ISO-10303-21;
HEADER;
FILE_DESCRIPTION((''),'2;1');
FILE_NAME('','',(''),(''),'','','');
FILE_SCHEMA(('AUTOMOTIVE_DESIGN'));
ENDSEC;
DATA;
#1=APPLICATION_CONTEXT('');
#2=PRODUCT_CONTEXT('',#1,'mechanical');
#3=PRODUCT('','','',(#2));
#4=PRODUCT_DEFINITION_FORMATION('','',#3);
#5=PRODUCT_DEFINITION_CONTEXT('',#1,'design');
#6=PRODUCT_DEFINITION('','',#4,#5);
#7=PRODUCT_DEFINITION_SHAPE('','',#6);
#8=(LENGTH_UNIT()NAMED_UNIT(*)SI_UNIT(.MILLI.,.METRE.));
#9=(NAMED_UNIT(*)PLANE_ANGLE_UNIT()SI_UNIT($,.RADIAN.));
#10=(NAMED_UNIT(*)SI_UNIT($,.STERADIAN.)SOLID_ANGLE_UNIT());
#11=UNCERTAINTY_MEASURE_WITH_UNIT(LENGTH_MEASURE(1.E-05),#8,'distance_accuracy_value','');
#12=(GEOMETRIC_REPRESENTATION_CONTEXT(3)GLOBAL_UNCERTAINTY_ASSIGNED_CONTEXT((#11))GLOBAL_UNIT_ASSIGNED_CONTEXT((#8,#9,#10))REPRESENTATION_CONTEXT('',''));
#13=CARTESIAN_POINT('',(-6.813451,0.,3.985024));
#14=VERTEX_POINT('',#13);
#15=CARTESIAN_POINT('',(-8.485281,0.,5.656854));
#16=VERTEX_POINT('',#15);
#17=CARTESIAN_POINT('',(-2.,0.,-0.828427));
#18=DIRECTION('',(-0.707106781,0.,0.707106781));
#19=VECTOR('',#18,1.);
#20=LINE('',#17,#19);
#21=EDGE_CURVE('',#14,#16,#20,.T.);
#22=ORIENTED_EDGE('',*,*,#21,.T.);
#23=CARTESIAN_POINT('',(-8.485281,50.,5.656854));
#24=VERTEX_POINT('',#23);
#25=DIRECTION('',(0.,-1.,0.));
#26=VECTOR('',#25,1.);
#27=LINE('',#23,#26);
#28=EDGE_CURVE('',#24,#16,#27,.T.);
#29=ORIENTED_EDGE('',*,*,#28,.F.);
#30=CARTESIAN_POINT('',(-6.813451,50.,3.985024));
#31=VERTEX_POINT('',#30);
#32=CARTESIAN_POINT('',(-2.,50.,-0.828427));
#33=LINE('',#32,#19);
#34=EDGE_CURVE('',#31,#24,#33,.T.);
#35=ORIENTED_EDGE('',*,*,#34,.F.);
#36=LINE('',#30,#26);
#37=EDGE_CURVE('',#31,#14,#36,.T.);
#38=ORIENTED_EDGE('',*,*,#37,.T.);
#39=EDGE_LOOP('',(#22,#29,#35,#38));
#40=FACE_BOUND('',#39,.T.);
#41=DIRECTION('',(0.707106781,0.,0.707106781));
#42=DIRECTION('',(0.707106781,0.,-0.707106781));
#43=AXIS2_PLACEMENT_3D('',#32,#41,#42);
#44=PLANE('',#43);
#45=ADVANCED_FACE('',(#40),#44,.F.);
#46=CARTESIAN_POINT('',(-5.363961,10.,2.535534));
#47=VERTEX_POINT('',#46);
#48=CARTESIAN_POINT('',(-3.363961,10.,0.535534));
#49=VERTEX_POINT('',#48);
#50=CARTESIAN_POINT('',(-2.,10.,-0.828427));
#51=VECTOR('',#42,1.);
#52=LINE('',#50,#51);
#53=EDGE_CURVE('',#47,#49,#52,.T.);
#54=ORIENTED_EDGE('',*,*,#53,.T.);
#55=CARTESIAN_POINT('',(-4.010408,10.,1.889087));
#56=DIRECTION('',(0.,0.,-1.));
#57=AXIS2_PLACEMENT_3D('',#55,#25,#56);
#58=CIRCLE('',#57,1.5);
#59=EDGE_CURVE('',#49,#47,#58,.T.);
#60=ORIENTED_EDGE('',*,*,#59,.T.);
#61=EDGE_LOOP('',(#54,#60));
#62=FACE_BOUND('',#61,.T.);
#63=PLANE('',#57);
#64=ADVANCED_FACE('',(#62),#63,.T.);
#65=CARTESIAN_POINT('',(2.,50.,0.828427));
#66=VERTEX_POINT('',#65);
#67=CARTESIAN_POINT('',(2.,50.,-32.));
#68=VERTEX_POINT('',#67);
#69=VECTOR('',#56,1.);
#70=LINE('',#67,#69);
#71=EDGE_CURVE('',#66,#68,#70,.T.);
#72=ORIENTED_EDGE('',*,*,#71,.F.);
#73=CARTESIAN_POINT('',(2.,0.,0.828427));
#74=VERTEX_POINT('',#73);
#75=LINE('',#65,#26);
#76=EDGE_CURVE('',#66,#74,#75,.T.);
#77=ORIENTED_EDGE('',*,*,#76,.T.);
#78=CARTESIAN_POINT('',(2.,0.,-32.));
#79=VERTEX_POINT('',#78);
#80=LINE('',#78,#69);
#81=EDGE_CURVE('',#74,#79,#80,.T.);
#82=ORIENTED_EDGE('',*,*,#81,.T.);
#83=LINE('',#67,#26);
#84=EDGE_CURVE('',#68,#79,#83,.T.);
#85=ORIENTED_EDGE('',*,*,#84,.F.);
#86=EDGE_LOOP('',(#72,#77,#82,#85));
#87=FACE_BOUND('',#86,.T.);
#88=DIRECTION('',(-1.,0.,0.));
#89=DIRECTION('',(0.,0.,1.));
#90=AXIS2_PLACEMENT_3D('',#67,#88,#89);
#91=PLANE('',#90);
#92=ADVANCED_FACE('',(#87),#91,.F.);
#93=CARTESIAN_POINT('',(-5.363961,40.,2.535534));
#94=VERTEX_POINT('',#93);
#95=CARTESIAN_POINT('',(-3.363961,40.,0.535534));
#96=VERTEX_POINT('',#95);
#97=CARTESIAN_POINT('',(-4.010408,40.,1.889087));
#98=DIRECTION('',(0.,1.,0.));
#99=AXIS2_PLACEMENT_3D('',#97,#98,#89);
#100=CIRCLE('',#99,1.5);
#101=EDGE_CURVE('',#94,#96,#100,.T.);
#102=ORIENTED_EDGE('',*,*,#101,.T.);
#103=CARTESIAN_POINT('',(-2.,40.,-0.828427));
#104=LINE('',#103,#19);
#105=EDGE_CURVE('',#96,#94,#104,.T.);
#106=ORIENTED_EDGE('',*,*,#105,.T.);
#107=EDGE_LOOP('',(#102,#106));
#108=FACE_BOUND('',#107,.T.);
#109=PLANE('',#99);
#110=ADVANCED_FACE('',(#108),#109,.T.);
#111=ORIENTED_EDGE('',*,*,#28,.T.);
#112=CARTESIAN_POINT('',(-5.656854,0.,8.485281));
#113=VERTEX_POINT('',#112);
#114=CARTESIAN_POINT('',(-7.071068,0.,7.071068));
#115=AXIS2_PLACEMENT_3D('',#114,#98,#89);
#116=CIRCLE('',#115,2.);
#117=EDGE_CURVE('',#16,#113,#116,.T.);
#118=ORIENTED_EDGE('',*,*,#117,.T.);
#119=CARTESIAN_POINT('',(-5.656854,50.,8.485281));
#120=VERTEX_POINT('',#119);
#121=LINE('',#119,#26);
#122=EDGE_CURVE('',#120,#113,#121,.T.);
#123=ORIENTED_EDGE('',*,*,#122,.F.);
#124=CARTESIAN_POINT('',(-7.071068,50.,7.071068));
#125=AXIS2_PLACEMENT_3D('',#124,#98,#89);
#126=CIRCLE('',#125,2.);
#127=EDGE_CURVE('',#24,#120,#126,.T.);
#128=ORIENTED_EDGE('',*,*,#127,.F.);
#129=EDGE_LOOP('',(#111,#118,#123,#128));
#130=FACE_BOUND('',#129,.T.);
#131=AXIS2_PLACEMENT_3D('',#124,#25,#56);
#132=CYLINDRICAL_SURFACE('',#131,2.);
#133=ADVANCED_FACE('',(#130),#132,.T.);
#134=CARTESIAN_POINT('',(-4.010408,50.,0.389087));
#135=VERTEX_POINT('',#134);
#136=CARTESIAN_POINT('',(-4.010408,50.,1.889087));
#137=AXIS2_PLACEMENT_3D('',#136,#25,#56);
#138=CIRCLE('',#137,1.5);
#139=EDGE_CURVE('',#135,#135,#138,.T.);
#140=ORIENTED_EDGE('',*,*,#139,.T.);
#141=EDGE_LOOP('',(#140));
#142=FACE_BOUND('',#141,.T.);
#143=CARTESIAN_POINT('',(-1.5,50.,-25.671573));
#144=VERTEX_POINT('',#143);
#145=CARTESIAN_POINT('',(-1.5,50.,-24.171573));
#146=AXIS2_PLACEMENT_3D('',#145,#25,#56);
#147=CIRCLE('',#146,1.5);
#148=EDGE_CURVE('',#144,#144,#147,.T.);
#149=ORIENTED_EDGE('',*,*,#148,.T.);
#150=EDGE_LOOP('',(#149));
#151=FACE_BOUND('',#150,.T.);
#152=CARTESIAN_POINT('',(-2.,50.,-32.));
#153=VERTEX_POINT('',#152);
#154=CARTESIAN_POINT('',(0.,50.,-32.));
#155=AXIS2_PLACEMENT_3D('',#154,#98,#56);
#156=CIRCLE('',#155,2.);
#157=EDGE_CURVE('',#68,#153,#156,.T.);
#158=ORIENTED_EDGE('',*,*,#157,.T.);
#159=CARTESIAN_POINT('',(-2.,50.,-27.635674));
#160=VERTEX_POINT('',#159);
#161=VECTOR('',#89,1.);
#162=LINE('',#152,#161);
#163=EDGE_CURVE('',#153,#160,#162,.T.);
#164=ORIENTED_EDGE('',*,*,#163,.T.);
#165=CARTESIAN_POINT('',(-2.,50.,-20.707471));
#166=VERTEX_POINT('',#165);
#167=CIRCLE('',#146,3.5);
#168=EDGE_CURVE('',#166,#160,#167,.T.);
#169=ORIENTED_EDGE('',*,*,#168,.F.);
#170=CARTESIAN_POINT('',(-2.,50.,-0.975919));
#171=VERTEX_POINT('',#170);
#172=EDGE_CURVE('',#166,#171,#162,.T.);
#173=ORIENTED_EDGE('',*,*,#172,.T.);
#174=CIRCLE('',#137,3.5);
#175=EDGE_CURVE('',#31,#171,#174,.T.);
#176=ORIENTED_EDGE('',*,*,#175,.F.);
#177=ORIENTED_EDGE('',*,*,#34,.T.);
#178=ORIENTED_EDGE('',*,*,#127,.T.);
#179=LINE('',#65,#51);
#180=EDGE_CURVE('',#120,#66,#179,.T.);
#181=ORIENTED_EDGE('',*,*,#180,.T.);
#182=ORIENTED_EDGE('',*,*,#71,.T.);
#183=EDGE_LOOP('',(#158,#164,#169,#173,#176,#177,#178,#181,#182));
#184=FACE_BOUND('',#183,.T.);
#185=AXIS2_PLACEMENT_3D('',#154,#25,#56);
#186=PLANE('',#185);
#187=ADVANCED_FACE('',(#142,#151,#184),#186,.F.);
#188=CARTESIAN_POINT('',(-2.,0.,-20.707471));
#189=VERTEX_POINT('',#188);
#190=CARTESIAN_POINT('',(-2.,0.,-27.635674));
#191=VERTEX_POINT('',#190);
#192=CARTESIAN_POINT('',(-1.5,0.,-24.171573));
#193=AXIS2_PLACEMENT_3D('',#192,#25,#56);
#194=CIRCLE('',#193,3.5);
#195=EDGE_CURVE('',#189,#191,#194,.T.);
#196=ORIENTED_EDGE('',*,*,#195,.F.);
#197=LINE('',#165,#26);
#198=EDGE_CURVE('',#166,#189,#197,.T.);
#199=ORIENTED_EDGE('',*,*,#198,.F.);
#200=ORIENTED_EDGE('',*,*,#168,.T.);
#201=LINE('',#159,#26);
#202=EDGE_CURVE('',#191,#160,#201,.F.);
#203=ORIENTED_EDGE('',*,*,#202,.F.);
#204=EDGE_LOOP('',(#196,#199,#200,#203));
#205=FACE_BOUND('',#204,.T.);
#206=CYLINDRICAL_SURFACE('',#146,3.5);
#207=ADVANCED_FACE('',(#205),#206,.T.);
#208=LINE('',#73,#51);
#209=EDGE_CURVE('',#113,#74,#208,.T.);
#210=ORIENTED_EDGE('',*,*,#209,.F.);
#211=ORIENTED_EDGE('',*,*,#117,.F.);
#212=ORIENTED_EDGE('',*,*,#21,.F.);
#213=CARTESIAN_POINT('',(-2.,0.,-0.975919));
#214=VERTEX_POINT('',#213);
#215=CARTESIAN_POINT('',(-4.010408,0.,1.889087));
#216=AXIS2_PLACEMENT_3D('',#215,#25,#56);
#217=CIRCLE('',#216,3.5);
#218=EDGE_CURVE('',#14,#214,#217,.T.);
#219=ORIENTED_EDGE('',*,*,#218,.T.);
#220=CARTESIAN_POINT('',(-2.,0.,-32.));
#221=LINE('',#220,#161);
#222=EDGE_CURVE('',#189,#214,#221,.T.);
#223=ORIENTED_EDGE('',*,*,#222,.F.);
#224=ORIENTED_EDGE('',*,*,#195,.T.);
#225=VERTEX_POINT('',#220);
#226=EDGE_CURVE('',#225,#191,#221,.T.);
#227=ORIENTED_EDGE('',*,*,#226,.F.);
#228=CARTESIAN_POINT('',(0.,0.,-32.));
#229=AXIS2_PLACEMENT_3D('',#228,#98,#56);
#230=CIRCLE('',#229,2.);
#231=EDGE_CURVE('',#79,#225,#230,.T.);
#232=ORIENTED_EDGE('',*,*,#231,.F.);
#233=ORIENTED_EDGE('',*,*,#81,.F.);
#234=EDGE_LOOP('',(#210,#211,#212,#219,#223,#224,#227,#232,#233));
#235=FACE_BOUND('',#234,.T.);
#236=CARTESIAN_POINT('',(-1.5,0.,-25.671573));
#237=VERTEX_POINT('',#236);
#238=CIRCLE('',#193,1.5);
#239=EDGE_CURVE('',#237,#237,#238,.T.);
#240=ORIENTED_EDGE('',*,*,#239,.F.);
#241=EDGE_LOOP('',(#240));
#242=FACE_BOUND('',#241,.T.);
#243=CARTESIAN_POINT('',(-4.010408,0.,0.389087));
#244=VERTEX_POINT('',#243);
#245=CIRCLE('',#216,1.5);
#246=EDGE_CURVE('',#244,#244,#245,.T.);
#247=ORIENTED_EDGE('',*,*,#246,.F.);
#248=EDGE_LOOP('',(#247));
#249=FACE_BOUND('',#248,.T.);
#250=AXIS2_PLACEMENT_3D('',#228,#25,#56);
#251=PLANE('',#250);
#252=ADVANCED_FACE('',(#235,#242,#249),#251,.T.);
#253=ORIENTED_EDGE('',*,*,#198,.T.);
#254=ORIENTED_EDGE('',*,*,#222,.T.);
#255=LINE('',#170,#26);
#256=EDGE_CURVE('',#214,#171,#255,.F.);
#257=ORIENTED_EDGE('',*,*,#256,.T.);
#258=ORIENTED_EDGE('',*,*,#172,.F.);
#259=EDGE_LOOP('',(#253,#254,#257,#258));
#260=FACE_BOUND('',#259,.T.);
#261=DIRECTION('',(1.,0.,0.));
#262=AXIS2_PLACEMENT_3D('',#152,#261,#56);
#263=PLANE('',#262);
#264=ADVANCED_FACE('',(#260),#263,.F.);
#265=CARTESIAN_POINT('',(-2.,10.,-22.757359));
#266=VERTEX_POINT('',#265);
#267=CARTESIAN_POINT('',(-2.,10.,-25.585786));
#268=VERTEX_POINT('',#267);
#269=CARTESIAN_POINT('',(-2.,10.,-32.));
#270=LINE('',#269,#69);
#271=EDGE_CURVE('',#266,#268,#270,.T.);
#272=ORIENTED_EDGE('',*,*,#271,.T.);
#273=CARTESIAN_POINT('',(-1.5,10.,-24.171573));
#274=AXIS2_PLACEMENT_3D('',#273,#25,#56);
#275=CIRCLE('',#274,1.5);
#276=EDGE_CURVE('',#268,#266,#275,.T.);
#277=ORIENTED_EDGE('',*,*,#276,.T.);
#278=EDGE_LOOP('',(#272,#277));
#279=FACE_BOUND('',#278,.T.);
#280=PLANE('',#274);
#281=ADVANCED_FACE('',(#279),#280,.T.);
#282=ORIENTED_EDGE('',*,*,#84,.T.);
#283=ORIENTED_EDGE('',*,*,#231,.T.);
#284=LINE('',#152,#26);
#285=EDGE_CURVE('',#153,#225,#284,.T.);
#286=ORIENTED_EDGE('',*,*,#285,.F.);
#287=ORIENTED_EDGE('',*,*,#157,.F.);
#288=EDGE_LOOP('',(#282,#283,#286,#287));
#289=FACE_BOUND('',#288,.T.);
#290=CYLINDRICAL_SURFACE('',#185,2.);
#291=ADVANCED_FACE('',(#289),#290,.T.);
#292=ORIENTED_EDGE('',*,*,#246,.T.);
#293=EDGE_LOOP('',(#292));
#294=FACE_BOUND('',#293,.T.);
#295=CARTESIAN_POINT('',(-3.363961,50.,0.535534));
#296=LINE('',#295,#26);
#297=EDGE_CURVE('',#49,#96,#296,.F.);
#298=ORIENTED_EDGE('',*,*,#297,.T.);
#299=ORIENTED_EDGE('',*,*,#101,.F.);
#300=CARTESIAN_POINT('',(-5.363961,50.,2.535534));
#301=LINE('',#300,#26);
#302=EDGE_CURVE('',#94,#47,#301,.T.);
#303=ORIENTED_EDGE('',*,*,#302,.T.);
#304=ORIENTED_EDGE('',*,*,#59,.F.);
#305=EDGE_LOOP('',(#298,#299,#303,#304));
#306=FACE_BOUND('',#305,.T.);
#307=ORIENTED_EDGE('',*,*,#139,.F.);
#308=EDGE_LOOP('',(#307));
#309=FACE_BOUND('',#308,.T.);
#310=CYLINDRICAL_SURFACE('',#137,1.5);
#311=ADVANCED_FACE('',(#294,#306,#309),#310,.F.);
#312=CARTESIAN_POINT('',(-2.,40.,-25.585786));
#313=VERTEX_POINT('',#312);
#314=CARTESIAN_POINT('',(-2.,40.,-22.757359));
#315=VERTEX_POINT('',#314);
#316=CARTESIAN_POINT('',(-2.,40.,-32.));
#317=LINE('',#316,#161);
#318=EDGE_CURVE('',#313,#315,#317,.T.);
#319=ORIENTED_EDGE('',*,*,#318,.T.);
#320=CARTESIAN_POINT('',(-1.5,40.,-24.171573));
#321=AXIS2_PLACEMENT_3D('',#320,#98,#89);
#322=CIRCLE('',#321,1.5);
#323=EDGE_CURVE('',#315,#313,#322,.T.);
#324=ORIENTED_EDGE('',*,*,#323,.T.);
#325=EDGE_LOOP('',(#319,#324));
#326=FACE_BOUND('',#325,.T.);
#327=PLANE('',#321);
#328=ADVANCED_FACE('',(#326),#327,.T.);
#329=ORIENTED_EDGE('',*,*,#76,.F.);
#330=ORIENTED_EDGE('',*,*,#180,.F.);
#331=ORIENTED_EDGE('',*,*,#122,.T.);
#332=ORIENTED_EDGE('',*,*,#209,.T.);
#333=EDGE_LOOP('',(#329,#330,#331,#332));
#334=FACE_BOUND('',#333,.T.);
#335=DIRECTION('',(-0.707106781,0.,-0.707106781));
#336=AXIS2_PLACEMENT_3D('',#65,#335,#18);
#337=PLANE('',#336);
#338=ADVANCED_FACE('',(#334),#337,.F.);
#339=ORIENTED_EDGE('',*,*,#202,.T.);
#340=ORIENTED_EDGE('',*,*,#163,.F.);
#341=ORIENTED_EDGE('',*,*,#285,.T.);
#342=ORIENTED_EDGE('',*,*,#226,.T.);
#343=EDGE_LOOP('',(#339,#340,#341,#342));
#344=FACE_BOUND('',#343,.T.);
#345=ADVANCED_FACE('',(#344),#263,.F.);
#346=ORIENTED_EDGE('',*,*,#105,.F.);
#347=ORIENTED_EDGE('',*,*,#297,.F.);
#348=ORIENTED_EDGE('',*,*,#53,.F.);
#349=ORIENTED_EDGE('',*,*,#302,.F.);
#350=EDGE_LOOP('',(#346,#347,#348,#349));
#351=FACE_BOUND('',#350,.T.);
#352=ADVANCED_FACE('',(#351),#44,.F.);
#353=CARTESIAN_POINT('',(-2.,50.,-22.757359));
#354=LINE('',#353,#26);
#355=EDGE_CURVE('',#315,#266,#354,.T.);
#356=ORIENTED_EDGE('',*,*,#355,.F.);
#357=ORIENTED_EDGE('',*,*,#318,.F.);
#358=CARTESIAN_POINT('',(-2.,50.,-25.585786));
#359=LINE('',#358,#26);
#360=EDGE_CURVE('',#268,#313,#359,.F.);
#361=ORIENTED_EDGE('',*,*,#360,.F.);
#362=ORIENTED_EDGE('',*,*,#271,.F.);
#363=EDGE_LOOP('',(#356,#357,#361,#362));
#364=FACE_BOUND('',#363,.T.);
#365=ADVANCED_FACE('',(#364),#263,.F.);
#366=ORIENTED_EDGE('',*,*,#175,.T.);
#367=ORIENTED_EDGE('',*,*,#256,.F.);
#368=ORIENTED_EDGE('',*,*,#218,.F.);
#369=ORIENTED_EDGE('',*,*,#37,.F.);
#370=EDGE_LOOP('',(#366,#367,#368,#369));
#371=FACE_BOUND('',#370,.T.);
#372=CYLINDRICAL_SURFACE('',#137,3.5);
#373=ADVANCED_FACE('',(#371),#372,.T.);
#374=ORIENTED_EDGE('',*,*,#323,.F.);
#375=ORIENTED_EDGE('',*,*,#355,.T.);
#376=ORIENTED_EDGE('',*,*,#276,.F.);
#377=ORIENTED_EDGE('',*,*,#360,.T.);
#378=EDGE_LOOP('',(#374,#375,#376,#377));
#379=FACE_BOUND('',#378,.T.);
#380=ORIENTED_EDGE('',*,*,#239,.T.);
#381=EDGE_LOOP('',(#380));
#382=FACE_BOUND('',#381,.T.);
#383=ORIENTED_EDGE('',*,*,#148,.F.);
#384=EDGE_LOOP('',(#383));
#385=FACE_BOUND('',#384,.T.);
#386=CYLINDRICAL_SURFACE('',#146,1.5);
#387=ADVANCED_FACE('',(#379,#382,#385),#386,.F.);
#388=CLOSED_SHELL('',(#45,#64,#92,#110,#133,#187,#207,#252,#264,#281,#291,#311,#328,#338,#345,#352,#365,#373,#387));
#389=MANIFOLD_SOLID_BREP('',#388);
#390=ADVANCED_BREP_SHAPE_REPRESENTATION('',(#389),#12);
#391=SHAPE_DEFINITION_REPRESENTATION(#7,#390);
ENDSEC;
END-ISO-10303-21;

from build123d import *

# Parameters (mm, degrees)
BOSS_EXTRUDE1_DEPTH = 50
SKETCH5_R           = 3.5
SKETCH5_R_2         = 1.5
BOSS_EXTRUDE2_DEPTH = 50
SKETCH6_R           = 1.5
CUT_EXTRUDE1_DEPTH  = 10
CUT_EXTRUDE2_START  = -10
SKETCH7_R           = 1.5
CUT_EXTRUDE2_DEPTH  = 10


with BuildPart() as part:
    # Sketch1 → Boss-Extrude1 (new body)
    with BuildSketch(Plane(origin=(0, 0, 0), x_dir=(1, 0, 0), z_dir=(0, 1, 0))):
        with BuildLine():
            Line((-2, 32), (-2, 0.828427125))
            Line((-2, 0.828427125), (-8.485281374, -5.656854249))
            ThreePointArc((-8.485281374, -5.656854249), (-8.485281374, -8.485281374), (-5.656854249, -8.485281374))
            Line((-5.656854249, -8.485281374), (2, -0.828427125))
            Line((2, -0.828427125), (2, 32))
            ThreePointArc((2, 32), (0, 34), (-2, 32))
        make_face()
    extrude(amount=BOSS_EXTRUDE1_DEPTH)

    # Sketch5 → Boss-Extrude2 (add, through all)
    # profile 1 of 2: a face of its own
    with BuildSketch(Plane(origin=(0, 0, 0), x_dir=(-1, 0, 0), z_dir=(0, -1, 0))):
        with Locations((1.5, 24.171572875)):
            Circle(SKETCH5_R)
        with Locations((1.5, 24.171572875)):
            Circle(SKETCH5_R_2, mode=Mode.SUBTRACT)
    # profile 2 of 2: a face of its own
    with BuildSketch(Plane(origin=(0, 0, 0), x_dir=(-1, 0, 0), z_dir=(0, -1, 0))):
        with Locations((4.01040764, -1.889087297)):
            Circle(SKETCH5_R)
        with Locations((4.01040764, -1.889087297)):
            Circle(SKETCH5_R_2, mode=Mode.SUBTRACT)
    extrude(amount=-BOSS_EXTRUDE2_DEPTH)

    # Sketch6 → Cut-Extrude1 (cut)
    with BuildSketch(Plane(origin=(0, 0, 0), x_dir=(-1, 0, 0), z_dir=(0, -1, 0))):
        with Locations(Location((4.01040764, -1.889087297, 0), (0, 0, 90))):
            Circle(SKETCH6_R)
        with Locations(Location((1.5, 24.171572875, 0), (0, 0, 90))):
            Circle(SKETCH6_R)
    extrude(amount=-CUT_EXTRUDE1_DEPTH, mode=Mode.SUBTRACT)

    # Sketch7 → Cut-Extrude2 (cut)
    with BuildSketch(Plane(origin=(0, 50, 0), x_dir=(1, 0, 0), z_dir=(0, 1, 0)).offset(CUT_EXTRUDE2_START)):
        with Locations(Location((-4.01040764, -1.889087297, 0), (0, 0, 90))):
            Circle(SKETCH7_R)
        with Locations(Location((-1.5, 24.171572875, 0), (0, 0, 90))):
            Circle(SKETCH7_R)
    extrude(amount=CUT_EXTRUDE2_DEPTH, mode=Mode.SUBTRACT)


solid = part.part
